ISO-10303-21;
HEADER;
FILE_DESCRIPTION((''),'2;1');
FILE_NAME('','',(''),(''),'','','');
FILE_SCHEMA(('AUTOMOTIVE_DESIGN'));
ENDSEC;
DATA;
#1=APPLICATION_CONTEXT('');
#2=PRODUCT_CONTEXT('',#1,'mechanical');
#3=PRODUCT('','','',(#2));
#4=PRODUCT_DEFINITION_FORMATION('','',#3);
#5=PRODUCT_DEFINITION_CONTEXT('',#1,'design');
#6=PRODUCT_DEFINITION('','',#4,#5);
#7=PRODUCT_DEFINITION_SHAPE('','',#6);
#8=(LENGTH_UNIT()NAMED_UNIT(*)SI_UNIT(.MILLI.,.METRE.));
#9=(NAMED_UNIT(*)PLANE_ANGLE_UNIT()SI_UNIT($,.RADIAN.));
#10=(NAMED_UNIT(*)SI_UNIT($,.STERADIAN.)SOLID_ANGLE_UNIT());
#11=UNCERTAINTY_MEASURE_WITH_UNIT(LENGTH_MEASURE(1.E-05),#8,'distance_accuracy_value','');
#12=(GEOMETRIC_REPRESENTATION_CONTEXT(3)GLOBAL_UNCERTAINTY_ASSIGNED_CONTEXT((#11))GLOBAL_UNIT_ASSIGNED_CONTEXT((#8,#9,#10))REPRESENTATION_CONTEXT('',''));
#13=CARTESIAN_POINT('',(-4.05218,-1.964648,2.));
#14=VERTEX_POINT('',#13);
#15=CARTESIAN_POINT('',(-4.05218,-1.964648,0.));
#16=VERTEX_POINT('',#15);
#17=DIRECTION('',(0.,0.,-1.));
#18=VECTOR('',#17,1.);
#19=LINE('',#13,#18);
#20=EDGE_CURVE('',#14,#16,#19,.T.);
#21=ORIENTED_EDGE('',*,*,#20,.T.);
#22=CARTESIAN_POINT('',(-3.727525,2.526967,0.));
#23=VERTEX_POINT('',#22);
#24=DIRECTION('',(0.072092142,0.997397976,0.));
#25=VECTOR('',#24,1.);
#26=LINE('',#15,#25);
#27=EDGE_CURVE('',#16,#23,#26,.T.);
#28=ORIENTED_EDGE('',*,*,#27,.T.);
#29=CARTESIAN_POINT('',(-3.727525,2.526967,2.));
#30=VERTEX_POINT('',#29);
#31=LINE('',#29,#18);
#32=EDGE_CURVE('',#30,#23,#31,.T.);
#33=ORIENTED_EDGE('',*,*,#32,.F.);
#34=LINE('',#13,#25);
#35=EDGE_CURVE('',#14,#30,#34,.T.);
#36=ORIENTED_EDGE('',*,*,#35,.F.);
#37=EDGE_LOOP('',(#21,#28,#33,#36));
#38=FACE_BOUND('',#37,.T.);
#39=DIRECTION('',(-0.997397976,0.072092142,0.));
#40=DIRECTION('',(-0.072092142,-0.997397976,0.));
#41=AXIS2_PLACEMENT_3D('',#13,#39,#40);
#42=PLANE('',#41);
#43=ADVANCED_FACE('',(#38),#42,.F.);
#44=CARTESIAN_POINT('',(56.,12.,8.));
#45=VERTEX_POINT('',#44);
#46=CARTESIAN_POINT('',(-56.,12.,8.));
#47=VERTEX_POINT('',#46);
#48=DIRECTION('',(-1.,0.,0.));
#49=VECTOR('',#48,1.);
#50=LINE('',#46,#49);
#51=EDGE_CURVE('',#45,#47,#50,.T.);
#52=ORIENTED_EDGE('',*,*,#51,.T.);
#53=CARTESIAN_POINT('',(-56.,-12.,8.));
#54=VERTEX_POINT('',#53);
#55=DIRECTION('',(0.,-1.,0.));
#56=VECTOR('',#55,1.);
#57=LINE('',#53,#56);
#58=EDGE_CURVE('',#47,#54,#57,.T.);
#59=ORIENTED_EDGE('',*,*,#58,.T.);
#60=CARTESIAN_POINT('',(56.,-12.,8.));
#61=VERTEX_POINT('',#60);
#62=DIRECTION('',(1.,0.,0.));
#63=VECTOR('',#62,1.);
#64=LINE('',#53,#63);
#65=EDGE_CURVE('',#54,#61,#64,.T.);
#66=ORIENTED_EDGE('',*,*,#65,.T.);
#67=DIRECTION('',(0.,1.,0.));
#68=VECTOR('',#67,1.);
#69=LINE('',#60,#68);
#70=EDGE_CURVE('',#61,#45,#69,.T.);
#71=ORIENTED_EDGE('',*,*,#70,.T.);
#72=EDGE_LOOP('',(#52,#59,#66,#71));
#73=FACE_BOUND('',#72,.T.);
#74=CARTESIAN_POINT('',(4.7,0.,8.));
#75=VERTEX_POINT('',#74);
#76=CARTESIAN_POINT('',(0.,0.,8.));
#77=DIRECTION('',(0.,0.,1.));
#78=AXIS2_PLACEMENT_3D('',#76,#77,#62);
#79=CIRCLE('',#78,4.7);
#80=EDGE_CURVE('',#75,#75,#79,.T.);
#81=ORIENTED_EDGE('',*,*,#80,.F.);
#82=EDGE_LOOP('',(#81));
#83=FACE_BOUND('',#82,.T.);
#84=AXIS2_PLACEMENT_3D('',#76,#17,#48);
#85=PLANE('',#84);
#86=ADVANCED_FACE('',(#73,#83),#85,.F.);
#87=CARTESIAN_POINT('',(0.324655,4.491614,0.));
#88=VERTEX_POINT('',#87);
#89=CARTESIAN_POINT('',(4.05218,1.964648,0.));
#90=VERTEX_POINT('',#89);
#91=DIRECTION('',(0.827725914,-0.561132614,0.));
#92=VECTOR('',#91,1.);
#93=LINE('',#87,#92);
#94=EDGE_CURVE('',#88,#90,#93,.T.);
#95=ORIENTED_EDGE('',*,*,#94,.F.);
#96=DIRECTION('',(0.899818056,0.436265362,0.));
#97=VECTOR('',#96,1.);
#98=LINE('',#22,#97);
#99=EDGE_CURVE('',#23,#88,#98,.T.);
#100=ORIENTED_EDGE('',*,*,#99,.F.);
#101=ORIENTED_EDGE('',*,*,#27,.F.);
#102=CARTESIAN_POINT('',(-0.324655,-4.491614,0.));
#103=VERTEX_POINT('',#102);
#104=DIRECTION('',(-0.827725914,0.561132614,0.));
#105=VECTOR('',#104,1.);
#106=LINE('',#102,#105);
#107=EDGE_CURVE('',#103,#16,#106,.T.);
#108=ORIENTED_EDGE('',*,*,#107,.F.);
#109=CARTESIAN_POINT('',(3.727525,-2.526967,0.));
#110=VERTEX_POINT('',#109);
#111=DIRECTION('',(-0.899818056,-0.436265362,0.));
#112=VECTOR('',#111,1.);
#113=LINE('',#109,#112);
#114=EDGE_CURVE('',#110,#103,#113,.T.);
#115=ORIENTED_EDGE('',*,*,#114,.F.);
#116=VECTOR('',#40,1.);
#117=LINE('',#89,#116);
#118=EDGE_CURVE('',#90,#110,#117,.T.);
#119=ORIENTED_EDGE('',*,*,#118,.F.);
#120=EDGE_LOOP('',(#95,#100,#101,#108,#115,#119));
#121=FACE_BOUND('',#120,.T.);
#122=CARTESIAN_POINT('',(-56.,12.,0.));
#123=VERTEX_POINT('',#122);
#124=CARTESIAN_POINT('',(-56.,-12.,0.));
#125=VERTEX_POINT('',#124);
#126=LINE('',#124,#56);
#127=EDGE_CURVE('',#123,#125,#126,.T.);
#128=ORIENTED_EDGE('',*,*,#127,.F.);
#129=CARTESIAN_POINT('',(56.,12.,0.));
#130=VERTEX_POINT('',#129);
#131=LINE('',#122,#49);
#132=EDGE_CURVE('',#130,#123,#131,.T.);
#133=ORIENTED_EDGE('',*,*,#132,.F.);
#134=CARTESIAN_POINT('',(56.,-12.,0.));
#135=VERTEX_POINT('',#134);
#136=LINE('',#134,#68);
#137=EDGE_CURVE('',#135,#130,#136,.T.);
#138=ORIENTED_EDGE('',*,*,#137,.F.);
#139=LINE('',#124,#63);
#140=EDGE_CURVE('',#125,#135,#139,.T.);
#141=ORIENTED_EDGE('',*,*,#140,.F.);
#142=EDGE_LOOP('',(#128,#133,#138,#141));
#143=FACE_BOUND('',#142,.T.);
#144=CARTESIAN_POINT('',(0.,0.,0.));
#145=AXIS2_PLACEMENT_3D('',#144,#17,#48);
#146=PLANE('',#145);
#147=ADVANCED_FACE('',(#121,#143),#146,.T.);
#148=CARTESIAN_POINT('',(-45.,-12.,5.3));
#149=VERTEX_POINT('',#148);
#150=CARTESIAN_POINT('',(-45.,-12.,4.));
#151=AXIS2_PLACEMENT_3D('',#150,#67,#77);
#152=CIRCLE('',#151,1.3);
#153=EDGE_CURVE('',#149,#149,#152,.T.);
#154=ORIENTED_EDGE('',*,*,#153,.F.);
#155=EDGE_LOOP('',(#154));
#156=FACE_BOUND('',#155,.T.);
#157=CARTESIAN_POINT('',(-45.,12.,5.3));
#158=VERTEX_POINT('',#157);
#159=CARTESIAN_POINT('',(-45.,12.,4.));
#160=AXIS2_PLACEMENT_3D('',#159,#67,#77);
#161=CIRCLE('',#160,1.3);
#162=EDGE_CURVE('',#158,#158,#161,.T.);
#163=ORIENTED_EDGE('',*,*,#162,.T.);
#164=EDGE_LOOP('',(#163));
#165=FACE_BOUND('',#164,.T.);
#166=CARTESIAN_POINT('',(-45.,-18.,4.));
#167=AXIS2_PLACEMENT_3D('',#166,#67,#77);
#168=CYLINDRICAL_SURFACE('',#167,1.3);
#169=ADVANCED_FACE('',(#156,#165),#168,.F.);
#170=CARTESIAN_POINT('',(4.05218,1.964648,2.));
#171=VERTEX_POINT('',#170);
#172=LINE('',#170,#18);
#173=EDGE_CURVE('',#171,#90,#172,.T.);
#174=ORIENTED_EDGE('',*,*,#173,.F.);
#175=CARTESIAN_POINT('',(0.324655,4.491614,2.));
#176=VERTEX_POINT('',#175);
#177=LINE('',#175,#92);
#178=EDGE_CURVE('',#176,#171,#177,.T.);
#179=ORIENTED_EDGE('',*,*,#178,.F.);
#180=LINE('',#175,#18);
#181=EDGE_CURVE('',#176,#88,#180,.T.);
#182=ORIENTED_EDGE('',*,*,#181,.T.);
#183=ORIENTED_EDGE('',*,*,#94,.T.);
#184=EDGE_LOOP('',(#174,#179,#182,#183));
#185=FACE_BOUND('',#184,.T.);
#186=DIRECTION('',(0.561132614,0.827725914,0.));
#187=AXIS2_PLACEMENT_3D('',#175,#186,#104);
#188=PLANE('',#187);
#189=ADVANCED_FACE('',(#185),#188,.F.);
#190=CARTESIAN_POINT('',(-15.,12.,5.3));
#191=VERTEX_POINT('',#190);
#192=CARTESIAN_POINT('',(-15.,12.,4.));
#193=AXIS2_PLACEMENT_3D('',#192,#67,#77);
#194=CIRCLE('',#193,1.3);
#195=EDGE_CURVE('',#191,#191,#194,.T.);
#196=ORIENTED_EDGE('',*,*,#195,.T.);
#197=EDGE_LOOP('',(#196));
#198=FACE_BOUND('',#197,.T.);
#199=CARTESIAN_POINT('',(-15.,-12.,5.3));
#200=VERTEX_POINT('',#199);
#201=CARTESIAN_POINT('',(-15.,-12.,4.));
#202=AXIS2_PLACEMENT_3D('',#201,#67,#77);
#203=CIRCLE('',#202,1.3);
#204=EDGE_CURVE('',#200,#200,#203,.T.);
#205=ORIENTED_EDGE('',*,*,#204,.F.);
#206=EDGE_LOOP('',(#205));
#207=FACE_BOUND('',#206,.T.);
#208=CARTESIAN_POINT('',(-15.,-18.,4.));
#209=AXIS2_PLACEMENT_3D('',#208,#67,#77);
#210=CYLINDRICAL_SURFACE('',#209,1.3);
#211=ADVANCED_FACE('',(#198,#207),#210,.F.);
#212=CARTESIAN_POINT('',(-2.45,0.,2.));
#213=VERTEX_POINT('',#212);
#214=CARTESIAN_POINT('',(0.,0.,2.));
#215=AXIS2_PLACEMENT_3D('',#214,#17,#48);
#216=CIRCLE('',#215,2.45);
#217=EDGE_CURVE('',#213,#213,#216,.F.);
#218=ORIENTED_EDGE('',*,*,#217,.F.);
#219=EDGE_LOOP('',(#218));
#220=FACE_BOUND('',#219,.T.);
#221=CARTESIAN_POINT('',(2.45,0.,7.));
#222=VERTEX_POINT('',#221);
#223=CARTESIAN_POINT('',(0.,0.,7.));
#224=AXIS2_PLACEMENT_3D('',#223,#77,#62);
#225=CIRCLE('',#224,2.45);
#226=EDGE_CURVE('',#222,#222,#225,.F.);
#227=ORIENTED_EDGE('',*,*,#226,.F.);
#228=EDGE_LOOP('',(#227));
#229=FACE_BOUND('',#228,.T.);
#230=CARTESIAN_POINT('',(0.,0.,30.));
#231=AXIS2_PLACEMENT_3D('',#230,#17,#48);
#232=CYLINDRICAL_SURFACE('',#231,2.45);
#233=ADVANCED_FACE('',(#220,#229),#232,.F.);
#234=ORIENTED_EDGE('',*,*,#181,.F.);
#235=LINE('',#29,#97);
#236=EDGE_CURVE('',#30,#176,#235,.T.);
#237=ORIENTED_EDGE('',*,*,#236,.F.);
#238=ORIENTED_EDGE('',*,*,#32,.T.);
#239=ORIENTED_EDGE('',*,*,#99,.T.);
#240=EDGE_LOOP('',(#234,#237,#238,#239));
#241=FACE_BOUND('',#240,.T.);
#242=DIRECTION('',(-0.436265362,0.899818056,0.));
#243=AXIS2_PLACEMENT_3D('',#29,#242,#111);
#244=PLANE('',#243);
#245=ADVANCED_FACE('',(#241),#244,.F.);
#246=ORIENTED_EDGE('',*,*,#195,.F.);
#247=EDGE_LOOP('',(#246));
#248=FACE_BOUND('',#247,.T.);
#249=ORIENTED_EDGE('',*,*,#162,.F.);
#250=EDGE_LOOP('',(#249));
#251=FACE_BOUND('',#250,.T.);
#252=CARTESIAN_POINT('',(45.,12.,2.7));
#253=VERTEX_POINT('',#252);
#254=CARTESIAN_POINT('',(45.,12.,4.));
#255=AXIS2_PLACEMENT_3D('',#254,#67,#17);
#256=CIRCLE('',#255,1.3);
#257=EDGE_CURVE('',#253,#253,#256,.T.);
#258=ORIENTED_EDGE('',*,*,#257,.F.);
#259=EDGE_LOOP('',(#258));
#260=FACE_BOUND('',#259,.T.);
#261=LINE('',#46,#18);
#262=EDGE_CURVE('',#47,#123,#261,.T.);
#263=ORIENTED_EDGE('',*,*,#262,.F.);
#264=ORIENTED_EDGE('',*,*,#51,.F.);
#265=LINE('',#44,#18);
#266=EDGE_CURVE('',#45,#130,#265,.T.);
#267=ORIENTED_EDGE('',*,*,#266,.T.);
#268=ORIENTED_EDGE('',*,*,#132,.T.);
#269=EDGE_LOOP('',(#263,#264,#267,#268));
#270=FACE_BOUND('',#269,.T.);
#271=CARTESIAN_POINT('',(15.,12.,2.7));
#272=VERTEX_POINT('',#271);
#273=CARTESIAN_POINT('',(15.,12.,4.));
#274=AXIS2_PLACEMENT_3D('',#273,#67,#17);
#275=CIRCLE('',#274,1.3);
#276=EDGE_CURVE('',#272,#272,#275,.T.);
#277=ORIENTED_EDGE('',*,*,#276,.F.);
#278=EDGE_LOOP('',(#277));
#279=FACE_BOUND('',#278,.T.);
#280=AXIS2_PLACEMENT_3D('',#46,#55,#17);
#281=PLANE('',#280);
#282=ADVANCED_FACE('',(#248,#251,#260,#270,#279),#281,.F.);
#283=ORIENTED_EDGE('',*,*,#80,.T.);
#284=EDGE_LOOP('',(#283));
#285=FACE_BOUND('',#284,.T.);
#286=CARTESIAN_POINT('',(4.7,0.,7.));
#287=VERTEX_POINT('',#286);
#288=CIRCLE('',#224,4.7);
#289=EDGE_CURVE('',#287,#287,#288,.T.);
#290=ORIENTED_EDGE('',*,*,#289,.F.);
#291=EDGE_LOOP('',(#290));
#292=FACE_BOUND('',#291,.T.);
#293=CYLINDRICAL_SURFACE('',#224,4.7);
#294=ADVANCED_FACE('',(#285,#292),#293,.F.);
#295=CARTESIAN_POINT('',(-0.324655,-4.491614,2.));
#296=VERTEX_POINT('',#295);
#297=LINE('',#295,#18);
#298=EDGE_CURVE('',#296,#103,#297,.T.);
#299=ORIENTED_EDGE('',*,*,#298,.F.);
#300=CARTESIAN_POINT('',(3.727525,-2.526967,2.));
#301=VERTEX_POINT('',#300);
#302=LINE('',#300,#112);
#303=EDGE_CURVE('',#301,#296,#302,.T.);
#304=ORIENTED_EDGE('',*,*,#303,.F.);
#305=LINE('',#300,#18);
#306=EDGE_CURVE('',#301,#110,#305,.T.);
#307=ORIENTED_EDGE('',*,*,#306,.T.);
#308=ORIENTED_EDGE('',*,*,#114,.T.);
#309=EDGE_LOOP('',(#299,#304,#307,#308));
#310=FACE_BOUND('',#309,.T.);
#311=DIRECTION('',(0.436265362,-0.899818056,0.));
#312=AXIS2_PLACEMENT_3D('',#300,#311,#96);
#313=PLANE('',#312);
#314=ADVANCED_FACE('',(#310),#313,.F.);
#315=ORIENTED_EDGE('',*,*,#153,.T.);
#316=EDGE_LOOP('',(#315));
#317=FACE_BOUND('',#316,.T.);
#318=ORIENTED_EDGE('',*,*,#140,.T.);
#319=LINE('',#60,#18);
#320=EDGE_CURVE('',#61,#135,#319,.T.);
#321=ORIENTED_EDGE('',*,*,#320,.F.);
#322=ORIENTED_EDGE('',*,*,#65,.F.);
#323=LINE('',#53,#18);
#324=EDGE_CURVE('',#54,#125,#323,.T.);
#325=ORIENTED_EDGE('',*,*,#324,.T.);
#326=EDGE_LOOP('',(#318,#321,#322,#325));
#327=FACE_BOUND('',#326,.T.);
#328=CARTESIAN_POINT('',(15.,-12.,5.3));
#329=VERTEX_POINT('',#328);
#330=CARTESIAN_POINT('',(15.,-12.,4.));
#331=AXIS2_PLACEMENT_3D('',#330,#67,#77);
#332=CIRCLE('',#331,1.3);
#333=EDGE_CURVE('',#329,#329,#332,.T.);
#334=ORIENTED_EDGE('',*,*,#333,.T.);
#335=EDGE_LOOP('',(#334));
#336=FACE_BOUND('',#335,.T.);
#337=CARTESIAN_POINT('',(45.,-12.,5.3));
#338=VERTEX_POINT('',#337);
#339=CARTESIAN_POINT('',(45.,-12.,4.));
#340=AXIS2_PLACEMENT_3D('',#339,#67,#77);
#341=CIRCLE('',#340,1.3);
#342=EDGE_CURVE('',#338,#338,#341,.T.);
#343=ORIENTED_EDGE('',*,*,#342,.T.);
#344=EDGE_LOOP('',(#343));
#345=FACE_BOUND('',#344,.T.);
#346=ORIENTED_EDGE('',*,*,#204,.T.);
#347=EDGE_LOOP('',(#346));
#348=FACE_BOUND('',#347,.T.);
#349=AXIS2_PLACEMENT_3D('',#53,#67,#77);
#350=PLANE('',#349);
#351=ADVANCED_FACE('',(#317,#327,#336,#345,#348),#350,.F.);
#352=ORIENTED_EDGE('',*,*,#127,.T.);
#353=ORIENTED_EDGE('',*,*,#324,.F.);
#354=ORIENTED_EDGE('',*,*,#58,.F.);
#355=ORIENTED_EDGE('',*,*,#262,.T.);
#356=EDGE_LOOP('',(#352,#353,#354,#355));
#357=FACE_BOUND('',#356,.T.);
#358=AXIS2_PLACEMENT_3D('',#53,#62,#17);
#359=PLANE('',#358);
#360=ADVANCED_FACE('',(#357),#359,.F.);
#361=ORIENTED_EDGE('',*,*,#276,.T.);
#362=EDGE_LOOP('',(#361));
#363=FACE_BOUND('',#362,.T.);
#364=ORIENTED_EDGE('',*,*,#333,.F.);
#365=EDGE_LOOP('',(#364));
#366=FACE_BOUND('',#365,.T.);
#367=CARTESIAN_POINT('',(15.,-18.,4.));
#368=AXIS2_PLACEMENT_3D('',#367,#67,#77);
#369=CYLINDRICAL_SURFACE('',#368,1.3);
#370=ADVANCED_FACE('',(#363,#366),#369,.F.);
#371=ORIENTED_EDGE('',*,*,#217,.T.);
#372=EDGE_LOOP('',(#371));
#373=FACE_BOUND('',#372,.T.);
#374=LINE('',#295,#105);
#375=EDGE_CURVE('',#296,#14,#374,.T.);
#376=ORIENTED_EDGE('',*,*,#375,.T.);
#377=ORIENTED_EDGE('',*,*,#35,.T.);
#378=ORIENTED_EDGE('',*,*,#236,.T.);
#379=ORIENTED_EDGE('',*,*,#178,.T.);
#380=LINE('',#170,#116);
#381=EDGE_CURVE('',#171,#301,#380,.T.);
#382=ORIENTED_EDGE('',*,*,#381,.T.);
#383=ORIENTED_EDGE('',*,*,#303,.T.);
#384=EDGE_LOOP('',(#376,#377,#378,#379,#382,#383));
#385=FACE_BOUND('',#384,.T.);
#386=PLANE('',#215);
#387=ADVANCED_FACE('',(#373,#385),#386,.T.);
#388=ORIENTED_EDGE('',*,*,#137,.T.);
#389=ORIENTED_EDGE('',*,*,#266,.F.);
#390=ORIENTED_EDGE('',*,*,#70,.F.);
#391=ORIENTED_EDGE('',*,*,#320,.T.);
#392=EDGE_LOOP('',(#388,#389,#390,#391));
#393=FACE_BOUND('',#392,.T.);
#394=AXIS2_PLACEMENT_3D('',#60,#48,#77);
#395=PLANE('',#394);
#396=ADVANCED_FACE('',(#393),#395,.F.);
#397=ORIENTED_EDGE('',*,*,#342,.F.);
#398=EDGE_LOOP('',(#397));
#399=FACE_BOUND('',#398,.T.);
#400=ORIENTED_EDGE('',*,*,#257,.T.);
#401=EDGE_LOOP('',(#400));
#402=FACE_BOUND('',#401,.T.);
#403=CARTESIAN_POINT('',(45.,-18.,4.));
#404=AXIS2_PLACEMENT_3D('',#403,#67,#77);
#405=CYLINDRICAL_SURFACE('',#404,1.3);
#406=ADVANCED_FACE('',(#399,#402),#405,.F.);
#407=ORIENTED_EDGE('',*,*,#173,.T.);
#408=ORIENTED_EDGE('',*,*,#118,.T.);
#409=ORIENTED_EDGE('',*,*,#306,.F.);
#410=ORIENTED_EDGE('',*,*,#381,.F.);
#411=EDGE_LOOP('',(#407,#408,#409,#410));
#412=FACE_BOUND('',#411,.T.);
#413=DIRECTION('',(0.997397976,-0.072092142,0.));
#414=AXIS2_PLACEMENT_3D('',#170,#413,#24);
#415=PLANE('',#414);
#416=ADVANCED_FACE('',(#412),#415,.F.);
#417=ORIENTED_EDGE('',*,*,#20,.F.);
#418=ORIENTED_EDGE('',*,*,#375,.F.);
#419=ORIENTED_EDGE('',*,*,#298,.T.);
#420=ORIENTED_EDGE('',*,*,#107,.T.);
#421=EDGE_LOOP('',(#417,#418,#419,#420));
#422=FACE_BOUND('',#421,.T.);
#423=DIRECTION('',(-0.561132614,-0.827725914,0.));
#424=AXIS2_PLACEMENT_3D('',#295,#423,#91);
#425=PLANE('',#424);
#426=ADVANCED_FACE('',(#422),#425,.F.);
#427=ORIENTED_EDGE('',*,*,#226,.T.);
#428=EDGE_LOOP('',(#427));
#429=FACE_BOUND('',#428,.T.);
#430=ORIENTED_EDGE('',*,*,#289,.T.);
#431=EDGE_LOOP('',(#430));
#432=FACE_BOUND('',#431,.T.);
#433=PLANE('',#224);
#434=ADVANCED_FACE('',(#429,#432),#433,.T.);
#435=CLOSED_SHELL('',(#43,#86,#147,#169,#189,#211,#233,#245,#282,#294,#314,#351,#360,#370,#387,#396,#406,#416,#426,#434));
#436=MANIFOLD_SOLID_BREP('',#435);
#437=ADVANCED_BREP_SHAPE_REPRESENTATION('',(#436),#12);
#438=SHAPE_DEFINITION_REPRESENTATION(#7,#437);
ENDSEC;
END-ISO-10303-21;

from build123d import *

# Parameters (mm, degrees)
SKETCH_1_W          = 112
SKETCH_1_H          = 24
EXTRUDE_1_DEPTH     = 8
SKETCH_2_R          = 1.3
CUT_EXTRUDE_1_DEPTH = 30
SKETCH_3_R          = 2.45
CUT_EXTRUDE_2_DEPTH = 30
CUT_EXTRUDE_3_DEPTH = 2
SKETCH_5_R          = 4.7
CUT_EXTRUDE_4_DEPTH = 1


with BuildPart() as part:
    # 草图1 → 凸台-拉伸1 (new body)
    with BuildSketch(Plane.XY):
        Rectangle(SKETCH_1_W, SKETCH_1_H)
    extrude(amount=EXTRUDE_1_DEPTH)

    # 草图2 → 切除-拉伸1 (cut)
    with BuildSketch(Plane(origin=(0, 12, 0), x_dir=(1, 0, 0), z_dir=(0, 1, 0))):
        with Locations(Location((-15, -4, 0), (0, 0, 270))):
            Circle(SKETCH_2_R)
        with Locations(Location((-45, -4, 0), (0, 0, 270))):
            Circle(SKETCH_2_R)
        with Locations(Location((45, -4, 0), (0, 0, 270))):
            Circle(SKETCH_2_R)
        with Locations(Location((15, -4, 0), (0, 0, 270))):
            Circle(SKETCH_2_R)
    extrude(amount=-CUT_EXTRUDE_1_DEPTH, mode=Mode.SUBTRACT)

    # 草图3 → 切除-拉伸2 (cut)
    with BuildSketch(Plane(origin=(0, 0, 0), x_dir=(-1, 0, 0), z_dir=(0, 0, -1))):
        Circle(SKETCH_3_R)
    extrude(amount=-CUT_EXTRUDE_2_DEPTH, mode=Mode.SUBTRACT)

    # 草图4 → 切除-拉伸3 (cut)
    with BuildSketch(Plane(origin=(0, 0, 0), x_dir=(-1, 0, 0), z_dir=(0, 0, -1))):
        Polygon((4.052179536, -1.964647808), (3.727524679, 2.526966514), (-0.324654856, 4.491614323), (-4.052179536, 1.964647808), (-3.727524679, -2.526966514), (0.324654856, -4.491614323), align=None)
    extrude(amount=-CUT_EXTRUDE_3_DEPTH, mode=Mode.SUBTRACT)

    # 草图5 → 切除-拉伸4 (cut)
    with BuildSketch(Plane.XY.offset(8)):
        Circle(SKETCH_5_R)
    extrude(amount=-CUT_EXTRUDE_4_DEPTH, mode=Mode.SUBTRACT)


solid = part.part
